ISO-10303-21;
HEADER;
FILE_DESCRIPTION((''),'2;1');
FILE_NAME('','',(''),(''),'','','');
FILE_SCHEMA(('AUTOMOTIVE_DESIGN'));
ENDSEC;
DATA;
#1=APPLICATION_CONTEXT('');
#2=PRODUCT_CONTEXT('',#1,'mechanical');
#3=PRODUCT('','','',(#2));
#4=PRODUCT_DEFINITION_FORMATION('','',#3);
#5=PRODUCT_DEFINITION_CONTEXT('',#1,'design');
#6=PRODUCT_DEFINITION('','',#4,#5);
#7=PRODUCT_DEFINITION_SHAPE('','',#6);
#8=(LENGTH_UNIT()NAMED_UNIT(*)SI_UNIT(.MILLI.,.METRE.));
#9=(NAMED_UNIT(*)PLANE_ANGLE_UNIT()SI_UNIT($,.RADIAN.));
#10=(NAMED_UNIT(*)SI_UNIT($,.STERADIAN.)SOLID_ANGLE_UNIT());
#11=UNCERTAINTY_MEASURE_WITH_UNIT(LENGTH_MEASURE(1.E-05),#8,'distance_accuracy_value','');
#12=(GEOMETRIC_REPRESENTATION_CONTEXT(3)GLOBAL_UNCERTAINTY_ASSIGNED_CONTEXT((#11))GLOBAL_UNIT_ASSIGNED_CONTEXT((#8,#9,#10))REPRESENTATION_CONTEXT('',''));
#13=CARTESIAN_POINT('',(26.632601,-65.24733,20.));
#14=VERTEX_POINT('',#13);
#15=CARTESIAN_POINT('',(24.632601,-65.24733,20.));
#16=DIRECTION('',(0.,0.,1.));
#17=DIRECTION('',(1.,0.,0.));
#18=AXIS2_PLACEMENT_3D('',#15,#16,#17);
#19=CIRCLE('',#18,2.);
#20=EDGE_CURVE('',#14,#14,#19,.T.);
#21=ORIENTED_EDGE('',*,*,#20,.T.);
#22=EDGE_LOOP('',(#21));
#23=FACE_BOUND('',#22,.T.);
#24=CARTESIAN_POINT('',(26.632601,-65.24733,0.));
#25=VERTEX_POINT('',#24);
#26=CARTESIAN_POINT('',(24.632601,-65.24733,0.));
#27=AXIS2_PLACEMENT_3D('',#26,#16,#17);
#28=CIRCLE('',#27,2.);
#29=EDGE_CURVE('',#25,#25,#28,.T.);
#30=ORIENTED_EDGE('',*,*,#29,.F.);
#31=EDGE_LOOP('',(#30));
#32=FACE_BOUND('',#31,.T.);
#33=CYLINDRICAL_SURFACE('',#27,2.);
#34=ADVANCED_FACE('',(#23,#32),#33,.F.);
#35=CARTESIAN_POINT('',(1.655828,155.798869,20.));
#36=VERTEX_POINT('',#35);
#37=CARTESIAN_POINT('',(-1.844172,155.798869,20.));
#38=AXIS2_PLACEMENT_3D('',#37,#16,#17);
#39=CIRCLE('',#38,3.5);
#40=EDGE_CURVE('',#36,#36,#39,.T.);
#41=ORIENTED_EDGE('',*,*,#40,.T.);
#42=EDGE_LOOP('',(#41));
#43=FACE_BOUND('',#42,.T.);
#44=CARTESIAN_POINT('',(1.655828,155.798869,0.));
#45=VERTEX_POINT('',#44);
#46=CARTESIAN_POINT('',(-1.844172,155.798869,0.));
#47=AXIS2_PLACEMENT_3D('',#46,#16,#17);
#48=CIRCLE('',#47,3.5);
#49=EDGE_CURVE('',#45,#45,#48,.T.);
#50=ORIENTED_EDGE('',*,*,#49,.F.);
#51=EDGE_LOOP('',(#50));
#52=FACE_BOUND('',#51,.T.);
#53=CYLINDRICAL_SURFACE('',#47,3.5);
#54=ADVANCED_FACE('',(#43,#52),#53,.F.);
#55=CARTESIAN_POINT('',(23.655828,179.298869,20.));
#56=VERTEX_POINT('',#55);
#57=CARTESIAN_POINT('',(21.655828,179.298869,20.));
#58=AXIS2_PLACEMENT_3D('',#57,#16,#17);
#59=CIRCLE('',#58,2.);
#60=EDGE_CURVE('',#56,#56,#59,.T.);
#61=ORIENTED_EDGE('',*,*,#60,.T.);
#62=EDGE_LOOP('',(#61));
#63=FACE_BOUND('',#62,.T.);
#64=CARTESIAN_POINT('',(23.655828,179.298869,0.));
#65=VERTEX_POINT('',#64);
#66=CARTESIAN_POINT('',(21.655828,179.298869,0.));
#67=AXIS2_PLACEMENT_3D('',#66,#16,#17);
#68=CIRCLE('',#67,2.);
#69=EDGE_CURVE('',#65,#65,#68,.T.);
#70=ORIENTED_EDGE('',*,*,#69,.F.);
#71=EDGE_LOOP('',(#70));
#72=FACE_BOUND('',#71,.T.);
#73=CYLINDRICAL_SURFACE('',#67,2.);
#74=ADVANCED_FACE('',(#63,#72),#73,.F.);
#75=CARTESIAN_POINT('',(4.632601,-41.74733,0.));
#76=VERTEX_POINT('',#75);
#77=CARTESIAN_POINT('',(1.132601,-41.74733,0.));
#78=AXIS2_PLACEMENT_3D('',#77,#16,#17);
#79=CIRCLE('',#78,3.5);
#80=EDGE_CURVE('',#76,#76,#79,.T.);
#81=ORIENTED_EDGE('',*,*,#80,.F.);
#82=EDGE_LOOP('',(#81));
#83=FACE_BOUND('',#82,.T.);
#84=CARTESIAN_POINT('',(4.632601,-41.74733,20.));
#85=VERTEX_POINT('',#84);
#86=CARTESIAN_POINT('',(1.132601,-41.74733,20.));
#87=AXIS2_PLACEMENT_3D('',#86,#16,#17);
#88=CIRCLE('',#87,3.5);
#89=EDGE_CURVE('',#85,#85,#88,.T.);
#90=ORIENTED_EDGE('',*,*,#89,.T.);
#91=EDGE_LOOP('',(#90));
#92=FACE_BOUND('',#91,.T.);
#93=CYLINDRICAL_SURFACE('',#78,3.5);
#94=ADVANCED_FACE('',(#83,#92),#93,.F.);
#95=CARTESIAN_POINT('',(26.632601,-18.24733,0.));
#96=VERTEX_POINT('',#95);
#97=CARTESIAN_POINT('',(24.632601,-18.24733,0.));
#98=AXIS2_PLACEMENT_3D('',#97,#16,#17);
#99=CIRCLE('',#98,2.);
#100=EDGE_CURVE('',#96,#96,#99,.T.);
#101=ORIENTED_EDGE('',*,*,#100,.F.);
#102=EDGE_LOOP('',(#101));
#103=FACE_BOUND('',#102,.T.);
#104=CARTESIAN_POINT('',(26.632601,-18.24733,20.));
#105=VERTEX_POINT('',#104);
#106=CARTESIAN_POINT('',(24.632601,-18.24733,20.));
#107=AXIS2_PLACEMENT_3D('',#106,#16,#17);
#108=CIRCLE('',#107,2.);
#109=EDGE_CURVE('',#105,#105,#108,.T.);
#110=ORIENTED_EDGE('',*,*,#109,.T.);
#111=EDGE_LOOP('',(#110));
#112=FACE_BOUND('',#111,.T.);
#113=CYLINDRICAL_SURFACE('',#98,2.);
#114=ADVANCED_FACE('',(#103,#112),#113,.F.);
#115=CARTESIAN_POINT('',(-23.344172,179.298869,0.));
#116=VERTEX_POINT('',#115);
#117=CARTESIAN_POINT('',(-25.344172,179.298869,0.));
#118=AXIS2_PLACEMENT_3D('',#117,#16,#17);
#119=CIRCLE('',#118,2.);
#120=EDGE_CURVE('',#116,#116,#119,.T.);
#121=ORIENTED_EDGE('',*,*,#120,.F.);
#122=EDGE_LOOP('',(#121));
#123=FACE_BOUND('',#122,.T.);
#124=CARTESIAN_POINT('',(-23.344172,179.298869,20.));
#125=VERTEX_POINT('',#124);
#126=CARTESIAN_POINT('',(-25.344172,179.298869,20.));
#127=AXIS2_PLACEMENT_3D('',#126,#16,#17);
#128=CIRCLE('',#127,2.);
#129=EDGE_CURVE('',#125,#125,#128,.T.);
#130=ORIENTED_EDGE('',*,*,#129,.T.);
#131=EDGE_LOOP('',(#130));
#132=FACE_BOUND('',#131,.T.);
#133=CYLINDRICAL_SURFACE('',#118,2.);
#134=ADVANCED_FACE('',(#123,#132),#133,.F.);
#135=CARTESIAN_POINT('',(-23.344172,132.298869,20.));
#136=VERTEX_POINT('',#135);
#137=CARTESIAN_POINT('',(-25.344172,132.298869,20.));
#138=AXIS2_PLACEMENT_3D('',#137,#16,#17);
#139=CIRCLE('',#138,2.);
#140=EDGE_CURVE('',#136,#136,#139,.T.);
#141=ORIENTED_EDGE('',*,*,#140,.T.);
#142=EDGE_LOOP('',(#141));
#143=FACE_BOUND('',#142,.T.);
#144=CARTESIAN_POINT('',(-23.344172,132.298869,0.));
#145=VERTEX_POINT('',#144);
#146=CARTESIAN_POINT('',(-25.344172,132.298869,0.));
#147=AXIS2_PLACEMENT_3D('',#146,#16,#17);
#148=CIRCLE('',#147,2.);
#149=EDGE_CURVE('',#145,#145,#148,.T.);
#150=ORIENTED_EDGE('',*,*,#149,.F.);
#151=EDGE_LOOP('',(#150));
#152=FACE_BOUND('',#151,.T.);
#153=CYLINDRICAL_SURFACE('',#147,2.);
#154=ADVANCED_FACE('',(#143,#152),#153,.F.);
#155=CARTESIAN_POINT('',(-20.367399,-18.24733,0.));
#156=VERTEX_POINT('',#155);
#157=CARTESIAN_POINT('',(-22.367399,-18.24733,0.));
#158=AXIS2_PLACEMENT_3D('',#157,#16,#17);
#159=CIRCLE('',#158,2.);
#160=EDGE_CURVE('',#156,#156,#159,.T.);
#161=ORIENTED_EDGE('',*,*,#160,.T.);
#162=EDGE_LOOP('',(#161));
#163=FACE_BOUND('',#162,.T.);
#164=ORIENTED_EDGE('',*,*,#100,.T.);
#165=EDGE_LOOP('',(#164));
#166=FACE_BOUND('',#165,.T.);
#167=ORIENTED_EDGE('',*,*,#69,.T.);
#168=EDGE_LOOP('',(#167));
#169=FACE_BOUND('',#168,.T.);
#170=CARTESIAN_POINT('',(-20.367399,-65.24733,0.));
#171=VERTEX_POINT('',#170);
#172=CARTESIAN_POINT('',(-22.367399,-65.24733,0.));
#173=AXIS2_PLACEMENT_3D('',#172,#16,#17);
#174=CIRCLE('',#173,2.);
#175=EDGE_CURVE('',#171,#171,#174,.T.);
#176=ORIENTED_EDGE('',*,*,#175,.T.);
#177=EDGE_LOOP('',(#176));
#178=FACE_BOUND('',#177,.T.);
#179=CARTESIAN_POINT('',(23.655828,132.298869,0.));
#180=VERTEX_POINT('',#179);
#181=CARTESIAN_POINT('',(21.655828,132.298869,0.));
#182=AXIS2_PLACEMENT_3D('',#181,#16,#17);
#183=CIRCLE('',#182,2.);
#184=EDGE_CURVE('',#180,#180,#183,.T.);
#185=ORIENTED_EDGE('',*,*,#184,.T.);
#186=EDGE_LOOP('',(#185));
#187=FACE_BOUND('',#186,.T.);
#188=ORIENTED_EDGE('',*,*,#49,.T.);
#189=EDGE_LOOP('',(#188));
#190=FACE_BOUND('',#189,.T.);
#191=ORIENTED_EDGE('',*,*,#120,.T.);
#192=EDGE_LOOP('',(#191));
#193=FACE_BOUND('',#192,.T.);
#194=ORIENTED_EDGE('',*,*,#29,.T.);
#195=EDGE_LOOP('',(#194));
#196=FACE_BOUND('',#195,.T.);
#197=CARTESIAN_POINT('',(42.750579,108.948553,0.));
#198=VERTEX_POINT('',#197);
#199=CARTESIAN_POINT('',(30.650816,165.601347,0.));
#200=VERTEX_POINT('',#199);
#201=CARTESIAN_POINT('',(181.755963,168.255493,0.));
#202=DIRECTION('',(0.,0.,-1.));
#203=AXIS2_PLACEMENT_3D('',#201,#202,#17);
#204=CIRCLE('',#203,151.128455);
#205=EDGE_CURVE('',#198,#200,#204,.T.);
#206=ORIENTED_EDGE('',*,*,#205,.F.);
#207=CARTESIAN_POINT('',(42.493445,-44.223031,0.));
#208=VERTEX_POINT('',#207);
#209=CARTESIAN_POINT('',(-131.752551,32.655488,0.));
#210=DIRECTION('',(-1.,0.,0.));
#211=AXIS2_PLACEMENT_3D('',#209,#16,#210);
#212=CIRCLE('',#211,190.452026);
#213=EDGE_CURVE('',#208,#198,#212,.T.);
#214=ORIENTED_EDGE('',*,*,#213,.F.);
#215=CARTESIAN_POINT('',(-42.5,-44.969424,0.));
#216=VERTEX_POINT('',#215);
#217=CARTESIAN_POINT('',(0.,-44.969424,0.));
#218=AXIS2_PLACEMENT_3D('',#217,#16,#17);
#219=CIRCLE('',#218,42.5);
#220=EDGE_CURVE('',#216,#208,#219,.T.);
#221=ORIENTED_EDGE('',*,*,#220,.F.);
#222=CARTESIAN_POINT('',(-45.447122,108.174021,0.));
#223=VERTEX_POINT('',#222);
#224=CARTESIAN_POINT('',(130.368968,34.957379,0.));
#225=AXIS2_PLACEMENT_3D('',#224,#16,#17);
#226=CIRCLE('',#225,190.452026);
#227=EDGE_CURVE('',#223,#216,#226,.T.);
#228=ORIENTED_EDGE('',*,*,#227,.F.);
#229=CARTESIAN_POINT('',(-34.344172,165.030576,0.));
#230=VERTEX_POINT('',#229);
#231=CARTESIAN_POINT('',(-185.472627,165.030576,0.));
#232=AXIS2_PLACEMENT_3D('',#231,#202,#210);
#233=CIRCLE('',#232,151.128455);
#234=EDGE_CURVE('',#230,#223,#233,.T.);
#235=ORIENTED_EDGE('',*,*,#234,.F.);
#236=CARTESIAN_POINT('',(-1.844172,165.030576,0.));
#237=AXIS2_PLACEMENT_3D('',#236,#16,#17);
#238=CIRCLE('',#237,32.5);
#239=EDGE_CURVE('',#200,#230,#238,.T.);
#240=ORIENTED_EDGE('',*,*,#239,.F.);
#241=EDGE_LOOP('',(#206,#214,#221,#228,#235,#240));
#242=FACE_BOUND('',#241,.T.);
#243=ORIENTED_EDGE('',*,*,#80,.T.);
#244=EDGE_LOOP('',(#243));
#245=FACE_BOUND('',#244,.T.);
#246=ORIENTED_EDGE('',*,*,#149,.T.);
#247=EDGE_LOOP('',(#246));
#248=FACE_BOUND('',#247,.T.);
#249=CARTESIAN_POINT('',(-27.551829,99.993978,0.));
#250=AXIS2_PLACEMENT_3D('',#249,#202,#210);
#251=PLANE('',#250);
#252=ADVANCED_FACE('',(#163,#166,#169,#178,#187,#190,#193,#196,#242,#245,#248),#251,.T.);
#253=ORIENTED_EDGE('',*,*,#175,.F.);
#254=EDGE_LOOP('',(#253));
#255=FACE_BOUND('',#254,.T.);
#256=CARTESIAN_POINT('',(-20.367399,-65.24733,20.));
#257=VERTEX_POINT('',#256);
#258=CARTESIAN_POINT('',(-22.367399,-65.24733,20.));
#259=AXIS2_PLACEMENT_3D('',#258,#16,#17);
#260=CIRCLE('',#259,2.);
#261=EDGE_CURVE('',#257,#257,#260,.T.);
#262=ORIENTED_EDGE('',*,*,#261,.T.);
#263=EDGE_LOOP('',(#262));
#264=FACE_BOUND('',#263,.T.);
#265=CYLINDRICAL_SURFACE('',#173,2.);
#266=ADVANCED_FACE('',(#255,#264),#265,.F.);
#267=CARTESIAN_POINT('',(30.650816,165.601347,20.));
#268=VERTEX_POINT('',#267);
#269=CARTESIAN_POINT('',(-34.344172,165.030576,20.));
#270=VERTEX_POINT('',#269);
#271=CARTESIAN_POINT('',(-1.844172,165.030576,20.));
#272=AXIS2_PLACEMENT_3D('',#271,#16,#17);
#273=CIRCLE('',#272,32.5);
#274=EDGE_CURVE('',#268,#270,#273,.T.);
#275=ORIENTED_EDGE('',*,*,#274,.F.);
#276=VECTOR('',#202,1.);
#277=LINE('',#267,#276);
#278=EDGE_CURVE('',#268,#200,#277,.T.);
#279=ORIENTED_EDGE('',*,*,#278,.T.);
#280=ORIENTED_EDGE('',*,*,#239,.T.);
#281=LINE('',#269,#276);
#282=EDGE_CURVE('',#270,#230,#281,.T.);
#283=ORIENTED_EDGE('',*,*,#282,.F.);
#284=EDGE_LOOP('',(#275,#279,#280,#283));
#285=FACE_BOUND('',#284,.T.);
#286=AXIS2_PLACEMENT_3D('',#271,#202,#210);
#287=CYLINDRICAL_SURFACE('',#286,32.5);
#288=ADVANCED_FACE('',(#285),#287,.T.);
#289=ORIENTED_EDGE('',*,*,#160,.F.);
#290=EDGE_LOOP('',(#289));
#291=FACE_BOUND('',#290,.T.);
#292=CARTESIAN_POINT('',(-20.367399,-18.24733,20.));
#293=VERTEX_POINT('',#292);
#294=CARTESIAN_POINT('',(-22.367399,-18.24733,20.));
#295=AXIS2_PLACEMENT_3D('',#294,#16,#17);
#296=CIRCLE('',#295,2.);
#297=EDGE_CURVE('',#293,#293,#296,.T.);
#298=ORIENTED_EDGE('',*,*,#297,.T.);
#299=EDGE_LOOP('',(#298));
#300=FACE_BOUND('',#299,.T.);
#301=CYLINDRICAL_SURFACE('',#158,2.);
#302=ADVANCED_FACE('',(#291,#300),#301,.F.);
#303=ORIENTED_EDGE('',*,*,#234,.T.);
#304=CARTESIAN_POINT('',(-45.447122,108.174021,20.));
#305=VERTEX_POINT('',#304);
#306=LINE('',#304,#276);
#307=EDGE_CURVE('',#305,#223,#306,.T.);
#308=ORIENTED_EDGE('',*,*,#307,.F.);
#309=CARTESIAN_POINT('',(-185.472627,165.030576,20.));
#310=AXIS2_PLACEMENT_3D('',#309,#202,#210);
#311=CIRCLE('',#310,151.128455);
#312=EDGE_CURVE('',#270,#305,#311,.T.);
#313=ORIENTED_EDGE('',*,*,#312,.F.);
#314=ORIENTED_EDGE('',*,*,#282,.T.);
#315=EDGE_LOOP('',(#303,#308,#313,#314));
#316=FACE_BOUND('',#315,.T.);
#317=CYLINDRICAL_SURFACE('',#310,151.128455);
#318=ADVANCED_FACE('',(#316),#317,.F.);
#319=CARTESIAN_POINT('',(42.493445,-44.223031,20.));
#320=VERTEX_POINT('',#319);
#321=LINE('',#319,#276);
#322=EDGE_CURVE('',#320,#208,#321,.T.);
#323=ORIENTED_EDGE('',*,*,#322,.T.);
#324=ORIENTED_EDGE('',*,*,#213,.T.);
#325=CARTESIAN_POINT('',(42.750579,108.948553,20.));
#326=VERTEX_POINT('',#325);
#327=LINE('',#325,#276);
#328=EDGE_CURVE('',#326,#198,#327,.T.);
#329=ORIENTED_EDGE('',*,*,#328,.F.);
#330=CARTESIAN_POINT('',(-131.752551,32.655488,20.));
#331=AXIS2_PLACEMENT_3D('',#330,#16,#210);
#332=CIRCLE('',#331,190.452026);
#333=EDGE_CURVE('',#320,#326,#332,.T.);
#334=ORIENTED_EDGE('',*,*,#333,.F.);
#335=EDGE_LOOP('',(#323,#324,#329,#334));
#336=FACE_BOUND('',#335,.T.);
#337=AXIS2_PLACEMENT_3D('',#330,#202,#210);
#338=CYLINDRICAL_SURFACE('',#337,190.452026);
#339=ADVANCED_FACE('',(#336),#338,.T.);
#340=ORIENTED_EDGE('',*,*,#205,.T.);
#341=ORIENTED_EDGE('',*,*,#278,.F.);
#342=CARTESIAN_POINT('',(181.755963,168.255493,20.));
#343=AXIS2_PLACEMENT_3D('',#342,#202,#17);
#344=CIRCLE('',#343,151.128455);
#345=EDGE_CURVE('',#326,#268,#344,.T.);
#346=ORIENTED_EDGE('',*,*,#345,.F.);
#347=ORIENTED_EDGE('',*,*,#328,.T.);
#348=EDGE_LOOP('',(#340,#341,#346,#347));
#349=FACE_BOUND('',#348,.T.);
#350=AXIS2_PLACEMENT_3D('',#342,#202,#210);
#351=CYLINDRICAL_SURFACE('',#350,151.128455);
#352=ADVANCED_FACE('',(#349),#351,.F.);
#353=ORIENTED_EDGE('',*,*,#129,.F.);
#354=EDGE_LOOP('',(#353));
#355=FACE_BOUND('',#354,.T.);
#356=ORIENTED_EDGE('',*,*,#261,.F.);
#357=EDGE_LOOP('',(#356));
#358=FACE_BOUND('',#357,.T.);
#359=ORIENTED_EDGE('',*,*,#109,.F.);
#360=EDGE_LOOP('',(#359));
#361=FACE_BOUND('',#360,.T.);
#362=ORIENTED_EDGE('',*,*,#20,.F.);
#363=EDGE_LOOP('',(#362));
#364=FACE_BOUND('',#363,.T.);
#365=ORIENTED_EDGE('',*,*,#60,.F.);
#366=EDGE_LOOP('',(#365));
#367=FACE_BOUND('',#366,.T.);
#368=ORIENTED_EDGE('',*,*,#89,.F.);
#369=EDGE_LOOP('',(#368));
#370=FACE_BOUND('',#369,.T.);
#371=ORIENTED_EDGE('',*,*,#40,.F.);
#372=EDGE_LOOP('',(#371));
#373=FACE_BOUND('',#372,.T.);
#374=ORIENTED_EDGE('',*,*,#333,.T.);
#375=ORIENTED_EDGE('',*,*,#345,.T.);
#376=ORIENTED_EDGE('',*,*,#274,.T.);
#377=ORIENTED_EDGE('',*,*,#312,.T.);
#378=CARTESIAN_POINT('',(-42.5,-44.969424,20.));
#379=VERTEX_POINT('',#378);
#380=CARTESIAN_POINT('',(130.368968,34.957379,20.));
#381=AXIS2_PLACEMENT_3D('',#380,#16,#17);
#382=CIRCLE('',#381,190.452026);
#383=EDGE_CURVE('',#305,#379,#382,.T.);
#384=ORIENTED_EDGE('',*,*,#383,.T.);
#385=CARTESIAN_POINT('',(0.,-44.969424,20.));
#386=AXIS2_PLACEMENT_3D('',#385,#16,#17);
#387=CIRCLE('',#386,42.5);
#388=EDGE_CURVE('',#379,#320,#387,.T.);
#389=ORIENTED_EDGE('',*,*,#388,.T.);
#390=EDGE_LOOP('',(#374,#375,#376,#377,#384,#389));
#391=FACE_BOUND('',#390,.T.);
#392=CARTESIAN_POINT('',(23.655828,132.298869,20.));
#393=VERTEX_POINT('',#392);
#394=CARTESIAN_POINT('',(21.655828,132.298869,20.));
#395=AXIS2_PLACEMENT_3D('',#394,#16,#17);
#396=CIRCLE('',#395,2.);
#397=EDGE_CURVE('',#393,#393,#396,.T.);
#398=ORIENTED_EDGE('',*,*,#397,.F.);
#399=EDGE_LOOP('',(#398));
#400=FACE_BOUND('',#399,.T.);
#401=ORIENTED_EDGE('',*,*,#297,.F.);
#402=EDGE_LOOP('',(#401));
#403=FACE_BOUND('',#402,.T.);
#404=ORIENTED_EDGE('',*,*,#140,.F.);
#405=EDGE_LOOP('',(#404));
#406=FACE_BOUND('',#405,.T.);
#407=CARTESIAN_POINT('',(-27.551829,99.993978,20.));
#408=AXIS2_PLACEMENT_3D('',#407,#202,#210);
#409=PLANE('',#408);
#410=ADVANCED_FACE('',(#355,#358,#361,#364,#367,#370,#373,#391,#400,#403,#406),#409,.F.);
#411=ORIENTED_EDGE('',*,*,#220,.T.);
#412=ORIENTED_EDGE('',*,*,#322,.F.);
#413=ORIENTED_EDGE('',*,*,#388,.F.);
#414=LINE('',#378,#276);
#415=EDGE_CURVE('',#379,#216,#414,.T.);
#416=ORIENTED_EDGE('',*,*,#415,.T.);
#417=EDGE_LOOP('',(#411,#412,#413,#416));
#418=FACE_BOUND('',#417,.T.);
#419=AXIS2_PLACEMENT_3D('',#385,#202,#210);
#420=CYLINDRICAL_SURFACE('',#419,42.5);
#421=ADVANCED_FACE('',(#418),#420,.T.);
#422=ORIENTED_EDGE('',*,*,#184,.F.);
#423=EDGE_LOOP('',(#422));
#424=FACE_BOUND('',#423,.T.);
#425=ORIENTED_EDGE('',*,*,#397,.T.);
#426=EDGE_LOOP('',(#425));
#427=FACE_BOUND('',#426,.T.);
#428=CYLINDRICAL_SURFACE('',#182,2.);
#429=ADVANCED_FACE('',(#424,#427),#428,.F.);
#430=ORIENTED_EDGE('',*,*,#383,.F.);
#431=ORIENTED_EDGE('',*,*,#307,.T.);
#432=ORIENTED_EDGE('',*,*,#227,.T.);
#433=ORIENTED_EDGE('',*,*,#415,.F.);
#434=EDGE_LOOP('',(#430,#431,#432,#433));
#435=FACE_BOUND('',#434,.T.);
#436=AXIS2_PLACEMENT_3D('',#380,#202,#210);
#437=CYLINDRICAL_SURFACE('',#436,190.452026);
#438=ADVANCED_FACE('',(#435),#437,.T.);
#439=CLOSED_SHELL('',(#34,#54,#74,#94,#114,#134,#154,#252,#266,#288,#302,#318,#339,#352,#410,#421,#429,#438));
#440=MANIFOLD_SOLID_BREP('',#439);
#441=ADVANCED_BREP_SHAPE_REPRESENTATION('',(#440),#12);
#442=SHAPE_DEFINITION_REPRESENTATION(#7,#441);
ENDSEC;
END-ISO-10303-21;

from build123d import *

# Parameters (mm, degrees)
BOSS_EXTRUDE1_DEPTH = 20
SKETCH2_R           = 3.5
SKETCH2_R_2         = 2
CUT_EXTRUDE6_DEPTH  = 208.432644896
SKETCH4_R           = 3.5
SKETCH4_R_2         = 2
CUT_EXTRUDE8_DEPTH  = 208.432644896


with BuildPart() as part:
    # Sketch1 → Boss-Extrude1 (new body)
    with BuildSketch(Plane.XY):
        with BuildLine():
            ThreePointArc((-42.5, -44.96942423), (0.373210889, -87.467785535), (42.493445347, -44.223031232))
            ThreePointArc((42.493445347, -44.223031232), (58.699206053, 32.335771546), (42.750578742, 108.948552787))
            ThreePointArc((42.750578742, 108.948552787), (33.960784088, 136.689765999), (30.650815647, 165.601346886))
            ThreePointArc((30.650815647, 165.601346886), (-2.129568534, 197.52932265), (-34.344171972, 165.03057577))
            ThreePointArc((-34.344171972, 165.03057577), (-37.145879301, 136.065323543), (-45.447121923, 108.174020751))
            ThreePointArc((-45.447121923, 108.174020751), (-60.04780144, 31.292962484), (-42.5, -44.96942423))
        make_face()
    extrude(amount=BOSS_EXTRUDE1_DEPTH)

    # Sketch2 → Cut-Extrude6 (cut, through all)
    with BuildSketch(Plane.XY.offset(20)):
        with Locations((-1.844171972, 155.798868961)):
            Circle(SKETCH2_R)
        with Locations((21.655828028, 179.298868961)):
            Circle(SKETCH2_R_2)
        with Locations((-25.344171972, 179.298868961)):
            Circle(SKETCH2_R_2)
        with Locations((21.655828028, 132.298868961)):
            Circle(SKETCH2_R_2)
        with Locations((-25.344171972, 132.298868961)):
            Circle(SKETCH2_R_2)
    extrude(amount=-CUT_EXTRUDE6_DEPTH, mode=Mode.SUBTRACT)

    # Sketch4 → Cut-Extrude8 (cut, through all)
    with BuildSketch(Plane.XY.offset(20)):
        with Locations((1.132601083, -41.747329739)):
            Circle(SKETCH4_R)
        with Locations((24.632601083, -18.247329739)):
            Circle(SKETCH4_R_2)
        with Locations((-22.367398917, -18.247329739)):
            Circle(SKETCH4_R_2)
        with Locations((24.632601083, -65.247329739)):
            Circle(SKETCH4_R_2)
        with Locations((-22.367398917, -65.247329739)):
            Circle(SKETCH4_R_2)
    extrude(amount=-CUT_EXTRUDE8_DEPTH, mode=Mode.SUBTRACT)


solid = part.part
